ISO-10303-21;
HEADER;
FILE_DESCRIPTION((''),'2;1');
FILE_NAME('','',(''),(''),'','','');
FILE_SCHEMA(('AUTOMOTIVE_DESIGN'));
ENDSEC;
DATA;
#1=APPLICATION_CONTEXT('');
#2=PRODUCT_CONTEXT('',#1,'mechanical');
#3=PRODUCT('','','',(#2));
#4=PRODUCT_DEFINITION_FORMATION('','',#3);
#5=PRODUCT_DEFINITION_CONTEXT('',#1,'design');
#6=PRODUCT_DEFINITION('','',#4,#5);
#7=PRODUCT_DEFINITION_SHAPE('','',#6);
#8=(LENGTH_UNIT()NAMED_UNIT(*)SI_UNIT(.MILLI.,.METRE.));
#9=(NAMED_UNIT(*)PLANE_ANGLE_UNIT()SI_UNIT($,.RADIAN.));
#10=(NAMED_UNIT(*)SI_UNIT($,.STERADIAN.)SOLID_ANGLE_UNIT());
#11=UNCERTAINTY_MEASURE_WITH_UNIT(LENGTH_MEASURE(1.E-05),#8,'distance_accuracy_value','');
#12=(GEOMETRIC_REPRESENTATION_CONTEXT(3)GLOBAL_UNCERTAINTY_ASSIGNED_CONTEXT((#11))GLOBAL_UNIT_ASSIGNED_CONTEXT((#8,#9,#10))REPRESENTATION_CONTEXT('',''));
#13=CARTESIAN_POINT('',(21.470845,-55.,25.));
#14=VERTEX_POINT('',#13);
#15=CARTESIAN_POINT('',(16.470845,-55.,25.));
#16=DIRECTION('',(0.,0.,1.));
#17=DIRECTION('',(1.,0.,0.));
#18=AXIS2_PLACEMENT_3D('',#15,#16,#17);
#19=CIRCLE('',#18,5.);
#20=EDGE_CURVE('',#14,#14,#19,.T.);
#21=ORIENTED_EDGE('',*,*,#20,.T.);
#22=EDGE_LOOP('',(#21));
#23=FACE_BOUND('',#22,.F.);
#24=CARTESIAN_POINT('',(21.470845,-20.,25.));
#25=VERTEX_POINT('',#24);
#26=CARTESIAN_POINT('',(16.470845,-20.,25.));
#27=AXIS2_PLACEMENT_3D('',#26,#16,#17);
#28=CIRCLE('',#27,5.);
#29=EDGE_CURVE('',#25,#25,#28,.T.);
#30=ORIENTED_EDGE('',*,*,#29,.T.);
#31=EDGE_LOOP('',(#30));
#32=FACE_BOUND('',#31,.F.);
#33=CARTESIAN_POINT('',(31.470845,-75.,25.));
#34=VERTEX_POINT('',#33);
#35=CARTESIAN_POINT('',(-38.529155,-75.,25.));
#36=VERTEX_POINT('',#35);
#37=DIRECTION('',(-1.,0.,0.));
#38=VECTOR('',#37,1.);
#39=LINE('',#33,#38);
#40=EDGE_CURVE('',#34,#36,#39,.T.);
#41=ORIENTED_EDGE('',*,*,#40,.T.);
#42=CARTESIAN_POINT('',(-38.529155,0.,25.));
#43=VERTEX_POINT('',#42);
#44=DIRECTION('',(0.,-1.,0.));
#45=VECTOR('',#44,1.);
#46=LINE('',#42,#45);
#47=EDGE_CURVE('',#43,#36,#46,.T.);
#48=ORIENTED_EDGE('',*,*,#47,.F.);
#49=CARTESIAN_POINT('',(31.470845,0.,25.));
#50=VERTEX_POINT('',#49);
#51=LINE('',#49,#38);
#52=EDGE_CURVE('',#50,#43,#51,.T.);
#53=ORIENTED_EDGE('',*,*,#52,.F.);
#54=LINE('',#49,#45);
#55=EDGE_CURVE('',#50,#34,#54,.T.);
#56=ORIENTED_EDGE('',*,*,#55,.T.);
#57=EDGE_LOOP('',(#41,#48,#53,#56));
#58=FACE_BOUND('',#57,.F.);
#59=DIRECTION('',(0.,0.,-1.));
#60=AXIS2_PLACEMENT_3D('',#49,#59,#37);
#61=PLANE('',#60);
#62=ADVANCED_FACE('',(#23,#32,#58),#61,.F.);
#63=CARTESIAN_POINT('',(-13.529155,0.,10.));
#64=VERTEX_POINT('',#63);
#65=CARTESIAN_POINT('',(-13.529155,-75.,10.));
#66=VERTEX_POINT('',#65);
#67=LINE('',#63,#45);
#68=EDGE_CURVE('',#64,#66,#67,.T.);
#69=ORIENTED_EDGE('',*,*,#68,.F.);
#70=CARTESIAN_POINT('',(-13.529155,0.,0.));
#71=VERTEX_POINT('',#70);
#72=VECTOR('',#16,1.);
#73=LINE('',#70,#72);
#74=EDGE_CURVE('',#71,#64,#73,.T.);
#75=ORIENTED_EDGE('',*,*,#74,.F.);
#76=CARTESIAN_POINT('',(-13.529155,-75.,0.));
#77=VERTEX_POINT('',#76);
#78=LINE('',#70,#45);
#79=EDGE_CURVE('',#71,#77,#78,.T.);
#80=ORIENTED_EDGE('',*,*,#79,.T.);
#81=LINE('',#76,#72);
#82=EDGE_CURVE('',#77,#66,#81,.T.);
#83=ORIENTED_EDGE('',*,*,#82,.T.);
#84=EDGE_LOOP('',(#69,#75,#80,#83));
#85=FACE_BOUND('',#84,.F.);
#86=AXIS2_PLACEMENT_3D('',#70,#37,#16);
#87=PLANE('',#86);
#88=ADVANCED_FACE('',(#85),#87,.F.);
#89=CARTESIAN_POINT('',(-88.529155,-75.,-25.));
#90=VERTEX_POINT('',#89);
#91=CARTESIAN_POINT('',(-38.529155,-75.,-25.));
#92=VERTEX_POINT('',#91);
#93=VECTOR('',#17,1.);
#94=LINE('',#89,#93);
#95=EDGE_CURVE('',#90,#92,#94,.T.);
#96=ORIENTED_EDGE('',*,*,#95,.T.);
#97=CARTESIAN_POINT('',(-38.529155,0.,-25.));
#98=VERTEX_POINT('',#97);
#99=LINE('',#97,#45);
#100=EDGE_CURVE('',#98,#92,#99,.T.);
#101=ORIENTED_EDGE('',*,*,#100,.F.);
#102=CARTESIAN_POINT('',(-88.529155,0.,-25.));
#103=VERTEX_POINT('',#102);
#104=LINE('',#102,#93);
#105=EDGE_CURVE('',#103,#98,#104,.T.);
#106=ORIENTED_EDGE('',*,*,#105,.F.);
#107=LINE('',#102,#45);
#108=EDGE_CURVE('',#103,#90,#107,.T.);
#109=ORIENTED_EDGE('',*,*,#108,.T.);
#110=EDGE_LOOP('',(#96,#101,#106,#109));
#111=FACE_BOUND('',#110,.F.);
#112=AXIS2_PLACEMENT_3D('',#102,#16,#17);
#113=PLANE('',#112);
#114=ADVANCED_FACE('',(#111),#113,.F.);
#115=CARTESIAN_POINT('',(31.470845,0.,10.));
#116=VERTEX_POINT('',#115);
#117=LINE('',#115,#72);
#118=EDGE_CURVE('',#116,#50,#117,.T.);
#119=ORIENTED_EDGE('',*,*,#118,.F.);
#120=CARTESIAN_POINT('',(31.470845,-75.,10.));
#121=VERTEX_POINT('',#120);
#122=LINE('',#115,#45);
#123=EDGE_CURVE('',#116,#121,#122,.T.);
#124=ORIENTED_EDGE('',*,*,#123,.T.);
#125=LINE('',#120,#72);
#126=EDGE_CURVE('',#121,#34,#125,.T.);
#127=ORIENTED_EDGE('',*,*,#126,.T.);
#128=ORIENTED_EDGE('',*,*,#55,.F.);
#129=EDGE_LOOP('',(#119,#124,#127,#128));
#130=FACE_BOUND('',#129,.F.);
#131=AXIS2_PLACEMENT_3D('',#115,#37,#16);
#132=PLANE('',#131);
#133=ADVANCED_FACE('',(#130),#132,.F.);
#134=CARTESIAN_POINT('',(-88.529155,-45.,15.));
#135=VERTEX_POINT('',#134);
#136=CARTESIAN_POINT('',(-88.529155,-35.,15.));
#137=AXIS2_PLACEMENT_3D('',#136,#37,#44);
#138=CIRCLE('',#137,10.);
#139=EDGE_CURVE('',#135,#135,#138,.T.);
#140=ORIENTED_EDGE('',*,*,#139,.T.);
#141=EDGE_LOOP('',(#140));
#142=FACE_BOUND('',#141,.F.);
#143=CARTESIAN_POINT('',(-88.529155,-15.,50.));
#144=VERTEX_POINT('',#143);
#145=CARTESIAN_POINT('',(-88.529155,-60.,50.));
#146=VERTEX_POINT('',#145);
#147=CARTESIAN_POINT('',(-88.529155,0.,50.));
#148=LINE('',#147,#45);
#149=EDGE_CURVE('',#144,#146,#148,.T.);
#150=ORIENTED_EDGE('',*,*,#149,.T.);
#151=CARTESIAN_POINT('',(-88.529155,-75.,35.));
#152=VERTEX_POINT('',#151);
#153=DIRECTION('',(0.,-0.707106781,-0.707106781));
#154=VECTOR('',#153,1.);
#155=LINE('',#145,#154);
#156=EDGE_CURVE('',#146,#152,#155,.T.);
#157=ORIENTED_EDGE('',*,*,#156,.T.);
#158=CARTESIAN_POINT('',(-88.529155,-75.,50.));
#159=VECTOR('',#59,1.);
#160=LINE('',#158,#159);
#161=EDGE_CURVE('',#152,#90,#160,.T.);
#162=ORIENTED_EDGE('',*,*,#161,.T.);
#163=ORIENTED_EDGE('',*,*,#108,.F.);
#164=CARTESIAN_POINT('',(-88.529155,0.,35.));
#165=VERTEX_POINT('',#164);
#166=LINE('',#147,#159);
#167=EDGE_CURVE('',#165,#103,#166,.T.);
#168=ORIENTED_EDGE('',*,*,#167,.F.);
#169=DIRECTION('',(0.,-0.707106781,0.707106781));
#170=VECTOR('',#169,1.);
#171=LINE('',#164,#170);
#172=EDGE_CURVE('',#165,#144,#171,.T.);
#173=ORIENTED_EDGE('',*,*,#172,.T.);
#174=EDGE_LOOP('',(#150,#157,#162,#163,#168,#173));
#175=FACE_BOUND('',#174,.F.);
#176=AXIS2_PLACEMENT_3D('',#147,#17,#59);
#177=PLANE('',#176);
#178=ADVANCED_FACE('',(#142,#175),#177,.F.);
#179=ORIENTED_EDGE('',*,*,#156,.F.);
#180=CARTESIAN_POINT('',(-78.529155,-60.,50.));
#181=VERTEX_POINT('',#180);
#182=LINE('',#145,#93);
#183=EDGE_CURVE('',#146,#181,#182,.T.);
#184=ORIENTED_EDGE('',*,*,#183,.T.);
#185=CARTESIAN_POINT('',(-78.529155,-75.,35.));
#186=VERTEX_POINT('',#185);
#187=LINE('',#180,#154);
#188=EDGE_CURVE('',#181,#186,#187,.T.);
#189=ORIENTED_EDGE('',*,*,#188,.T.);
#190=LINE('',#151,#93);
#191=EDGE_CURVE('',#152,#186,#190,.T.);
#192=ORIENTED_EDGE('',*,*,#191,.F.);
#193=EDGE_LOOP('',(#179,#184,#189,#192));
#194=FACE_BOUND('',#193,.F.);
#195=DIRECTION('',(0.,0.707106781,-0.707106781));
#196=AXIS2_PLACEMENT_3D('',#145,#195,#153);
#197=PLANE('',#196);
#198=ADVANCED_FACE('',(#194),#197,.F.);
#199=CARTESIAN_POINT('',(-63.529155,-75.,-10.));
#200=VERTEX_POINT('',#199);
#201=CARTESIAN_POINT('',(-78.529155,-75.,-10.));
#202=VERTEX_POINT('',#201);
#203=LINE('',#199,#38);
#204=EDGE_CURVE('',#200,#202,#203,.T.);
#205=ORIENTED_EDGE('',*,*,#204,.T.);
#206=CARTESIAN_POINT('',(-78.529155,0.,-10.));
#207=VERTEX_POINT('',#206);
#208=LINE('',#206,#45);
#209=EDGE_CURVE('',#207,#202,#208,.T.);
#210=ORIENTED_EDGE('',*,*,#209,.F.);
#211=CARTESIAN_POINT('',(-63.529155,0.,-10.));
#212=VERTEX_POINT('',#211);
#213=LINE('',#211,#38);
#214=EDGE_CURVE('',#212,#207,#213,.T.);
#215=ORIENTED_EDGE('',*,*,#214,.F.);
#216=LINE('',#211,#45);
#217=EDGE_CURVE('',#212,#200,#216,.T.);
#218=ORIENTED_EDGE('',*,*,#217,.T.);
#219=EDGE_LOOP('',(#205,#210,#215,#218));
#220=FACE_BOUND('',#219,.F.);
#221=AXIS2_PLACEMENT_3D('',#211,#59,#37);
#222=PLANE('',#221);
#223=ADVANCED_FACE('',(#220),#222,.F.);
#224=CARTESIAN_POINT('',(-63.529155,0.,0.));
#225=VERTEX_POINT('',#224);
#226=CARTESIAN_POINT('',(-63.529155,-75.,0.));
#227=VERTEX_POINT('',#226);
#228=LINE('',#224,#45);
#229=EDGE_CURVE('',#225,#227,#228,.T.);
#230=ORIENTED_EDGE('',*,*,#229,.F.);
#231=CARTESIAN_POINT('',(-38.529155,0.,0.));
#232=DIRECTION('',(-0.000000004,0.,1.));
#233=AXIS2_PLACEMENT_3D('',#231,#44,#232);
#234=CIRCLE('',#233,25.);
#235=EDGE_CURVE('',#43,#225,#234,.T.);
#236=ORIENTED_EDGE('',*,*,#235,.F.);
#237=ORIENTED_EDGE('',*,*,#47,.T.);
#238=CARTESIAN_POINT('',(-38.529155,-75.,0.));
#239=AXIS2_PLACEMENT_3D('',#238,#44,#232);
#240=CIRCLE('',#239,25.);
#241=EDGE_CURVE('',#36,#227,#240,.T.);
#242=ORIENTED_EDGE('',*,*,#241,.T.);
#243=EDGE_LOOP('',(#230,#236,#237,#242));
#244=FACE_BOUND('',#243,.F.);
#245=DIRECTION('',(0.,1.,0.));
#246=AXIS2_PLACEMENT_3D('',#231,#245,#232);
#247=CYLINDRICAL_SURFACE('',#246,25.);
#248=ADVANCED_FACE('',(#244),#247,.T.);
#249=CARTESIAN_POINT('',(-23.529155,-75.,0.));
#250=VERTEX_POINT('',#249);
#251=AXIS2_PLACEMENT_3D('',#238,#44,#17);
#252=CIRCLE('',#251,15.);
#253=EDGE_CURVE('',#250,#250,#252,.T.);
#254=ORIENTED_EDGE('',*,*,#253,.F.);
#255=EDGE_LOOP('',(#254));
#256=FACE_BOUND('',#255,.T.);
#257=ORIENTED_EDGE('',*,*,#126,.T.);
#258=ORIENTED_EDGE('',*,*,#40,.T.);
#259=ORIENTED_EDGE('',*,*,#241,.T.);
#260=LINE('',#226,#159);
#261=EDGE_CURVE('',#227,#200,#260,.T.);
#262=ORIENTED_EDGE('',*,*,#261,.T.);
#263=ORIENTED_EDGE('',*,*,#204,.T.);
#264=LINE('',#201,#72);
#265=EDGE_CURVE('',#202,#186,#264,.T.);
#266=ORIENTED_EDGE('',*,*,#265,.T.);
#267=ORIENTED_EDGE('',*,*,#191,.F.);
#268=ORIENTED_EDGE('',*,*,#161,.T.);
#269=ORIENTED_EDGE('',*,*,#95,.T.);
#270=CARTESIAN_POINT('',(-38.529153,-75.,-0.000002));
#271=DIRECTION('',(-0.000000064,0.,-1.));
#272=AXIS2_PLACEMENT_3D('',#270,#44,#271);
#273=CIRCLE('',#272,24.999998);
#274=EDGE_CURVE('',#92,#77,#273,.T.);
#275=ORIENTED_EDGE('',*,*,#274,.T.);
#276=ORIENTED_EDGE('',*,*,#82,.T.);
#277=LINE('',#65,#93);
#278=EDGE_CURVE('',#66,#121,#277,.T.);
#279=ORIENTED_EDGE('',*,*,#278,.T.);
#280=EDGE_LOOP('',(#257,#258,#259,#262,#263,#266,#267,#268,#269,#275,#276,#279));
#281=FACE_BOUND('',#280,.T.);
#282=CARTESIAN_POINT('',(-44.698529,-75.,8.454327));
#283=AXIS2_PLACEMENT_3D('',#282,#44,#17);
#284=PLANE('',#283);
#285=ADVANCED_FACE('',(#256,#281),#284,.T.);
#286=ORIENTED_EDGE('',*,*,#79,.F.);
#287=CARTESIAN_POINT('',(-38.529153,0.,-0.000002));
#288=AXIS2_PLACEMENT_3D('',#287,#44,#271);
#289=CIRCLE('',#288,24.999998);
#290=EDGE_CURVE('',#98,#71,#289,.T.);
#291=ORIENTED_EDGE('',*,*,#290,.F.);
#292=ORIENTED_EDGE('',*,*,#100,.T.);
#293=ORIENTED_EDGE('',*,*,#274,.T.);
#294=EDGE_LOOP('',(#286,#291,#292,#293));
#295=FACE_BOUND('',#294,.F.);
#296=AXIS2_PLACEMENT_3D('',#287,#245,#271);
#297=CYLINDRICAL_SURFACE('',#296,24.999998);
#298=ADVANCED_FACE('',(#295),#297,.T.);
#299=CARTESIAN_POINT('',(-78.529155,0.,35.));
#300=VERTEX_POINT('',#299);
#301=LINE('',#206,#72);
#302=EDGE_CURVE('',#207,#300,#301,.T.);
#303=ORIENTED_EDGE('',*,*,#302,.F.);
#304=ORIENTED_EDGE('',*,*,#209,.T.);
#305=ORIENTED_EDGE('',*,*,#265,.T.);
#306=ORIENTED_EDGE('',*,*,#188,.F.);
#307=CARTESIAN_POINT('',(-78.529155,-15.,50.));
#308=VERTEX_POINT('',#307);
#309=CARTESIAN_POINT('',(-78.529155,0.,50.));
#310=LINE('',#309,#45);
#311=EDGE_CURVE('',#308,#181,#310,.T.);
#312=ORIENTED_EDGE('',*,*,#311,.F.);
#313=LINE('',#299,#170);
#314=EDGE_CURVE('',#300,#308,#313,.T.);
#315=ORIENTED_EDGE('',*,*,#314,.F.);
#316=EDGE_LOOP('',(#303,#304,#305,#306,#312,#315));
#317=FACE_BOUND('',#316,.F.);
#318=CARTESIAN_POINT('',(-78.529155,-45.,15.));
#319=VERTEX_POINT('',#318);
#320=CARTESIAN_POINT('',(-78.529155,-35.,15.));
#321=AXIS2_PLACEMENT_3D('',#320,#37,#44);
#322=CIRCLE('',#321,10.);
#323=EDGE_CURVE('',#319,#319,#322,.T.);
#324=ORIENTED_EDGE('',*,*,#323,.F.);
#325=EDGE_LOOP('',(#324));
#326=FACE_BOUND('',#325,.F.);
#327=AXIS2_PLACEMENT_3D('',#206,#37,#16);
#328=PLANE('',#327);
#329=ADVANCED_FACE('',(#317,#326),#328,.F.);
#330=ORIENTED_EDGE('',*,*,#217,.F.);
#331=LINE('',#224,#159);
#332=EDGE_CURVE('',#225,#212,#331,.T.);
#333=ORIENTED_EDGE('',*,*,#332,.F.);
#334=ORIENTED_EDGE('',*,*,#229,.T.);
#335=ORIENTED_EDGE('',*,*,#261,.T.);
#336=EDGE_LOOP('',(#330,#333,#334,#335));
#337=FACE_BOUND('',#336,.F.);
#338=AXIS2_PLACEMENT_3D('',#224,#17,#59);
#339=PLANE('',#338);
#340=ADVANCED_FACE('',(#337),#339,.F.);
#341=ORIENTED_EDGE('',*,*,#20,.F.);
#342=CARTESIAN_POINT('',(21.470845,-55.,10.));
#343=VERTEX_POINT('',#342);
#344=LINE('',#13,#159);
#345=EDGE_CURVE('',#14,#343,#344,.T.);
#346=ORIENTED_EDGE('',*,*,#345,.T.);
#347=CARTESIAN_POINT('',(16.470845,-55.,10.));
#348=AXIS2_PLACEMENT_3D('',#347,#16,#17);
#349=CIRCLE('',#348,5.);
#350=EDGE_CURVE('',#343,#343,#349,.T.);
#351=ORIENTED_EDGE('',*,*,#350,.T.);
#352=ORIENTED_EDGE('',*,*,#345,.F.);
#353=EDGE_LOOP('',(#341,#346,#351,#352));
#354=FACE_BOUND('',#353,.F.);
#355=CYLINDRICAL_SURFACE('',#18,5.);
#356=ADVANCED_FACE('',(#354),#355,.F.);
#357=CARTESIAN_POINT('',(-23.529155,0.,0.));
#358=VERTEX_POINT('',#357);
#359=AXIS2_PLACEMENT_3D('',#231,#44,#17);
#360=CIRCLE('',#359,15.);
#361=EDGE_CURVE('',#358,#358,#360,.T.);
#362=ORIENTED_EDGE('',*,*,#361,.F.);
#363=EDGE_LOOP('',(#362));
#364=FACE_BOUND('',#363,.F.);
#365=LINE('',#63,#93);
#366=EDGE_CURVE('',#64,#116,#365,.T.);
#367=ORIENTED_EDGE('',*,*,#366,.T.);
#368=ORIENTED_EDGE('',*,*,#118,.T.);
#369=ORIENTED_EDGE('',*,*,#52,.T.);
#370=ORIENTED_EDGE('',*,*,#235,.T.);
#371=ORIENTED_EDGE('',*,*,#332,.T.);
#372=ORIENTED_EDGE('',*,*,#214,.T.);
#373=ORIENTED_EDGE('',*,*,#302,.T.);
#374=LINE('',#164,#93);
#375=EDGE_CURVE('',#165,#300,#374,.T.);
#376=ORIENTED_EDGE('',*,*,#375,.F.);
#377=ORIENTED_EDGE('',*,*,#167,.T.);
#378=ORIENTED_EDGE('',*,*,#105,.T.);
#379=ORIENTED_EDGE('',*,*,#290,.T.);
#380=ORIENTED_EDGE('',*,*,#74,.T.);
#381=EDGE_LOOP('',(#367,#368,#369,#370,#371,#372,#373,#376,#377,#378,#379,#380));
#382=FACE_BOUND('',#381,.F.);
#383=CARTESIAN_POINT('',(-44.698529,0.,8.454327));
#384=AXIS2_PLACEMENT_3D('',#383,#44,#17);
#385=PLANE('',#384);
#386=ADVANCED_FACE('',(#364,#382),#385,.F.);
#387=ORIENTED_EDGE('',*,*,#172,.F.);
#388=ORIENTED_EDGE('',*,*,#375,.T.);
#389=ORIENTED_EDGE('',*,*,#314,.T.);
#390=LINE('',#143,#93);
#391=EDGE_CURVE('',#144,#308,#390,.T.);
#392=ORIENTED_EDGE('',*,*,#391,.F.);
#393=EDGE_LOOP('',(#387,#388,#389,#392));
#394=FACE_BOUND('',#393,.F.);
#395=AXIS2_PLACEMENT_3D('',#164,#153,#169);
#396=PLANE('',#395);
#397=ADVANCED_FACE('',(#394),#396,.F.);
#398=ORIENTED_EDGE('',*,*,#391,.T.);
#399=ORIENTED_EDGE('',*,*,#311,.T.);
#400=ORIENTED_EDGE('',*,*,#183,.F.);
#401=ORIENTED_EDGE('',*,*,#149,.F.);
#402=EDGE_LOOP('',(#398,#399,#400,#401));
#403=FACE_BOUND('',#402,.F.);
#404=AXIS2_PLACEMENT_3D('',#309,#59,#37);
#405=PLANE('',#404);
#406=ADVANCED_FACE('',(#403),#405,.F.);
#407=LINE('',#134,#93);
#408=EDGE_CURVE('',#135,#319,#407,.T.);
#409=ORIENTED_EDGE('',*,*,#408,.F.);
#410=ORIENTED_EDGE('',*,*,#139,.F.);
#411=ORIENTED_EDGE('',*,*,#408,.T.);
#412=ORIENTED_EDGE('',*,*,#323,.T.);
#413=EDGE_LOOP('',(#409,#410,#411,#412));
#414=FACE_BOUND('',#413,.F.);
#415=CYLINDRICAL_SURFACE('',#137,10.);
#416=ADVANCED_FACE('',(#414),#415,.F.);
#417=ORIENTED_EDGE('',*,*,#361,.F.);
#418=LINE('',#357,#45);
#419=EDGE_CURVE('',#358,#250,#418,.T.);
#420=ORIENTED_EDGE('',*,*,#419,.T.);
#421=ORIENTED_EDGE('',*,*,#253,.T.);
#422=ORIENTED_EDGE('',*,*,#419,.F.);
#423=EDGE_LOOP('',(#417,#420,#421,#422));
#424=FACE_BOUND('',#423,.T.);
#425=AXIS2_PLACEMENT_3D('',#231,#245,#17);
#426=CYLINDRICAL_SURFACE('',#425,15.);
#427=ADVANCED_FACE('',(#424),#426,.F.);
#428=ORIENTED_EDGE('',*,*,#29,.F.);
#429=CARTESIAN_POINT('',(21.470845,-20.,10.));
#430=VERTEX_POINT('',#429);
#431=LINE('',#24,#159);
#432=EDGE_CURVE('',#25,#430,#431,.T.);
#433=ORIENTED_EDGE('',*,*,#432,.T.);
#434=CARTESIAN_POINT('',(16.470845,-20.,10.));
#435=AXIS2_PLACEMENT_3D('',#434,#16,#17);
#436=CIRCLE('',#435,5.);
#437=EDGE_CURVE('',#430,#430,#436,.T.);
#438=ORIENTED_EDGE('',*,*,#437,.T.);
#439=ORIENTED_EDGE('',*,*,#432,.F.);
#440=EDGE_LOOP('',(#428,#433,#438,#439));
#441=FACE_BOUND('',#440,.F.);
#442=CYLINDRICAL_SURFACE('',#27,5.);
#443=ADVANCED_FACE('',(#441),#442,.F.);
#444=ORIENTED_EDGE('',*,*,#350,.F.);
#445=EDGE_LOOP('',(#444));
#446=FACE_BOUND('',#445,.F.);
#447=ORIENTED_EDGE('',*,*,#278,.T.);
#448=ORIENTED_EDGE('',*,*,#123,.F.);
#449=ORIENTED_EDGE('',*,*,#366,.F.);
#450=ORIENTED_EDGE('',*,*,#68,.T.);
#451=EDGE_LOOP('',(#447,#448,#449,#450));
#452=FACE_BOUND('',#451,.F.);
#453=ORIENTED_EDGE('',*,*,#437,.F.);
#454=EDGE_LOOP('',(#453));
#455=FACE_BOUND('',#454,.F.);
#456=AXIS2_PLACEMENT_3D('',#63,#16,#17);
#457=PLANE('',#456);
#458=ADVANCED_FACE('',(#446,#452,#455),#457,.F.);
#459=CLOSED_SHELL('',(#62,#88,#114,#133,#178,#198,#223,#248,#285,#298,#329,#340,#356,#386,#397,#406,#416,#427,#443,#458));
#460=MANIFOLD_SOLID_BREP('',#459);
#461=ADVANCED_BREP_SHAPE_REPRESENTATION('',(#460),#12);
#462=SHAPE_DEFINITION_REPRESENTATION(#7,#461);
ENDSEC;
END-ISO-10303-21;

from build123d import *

# Parameters (mm, degrees)
F0_R     = 15
F1_DEPTH = 75
F2_R     = 10
F3_DEPTH = 10
F4_R     = 5
F5_DEPTH = 15


with BuildPart() as f1:
    # F0 (on Front) → F1 (new body)
    with BuildSketch(Plane.XZ):
        with BuildLine():
            Line((-88.529155, 50), (-88.529155, -25))
            Line((-88.529155, -25), (-38.529155, -25))
            ThreePointArc((-38.529155, -25), (-20.851485, -17.67767), (-13.529155, 0))
            Line((-13.529155, 0), (-13.529155, 10))
            Line((-13.529155, 10), (31.470845, 10))
            Line((31.470845, 10), (31.470845, 25))
            Line((31.470845, 25), (-38.529155, 25))
            ThreePointArc((-38.529155, 25), (-56.206824, 17.67767), (-63.529155, 0))
            Line((-63.529155, 0), (-63.529155, -10))
            Line((-63.529155, -10), (-78.529155, -10))
            Line((-78.529155, -10), (-78.529155, 50))
            Line((-78.529155, 50), (-88.529155, 50))
        make_face()
        with Locations((-38.529155, 0)):
            Circle(F0_R, mode=Mode.SUBTRACT)
    extrude(amount=F1_DEPTH)

    # F2 (on face) → F3 (cut)
    with BuildSketch(Plane(origin=(-88.529155, 0, 0), x_dir=(0, -1, 0), z_dir=(-1, 0, 0))):
        Polygon((0, 35), (15, 50), (0, 50), align=None)
        Polygon((75, 50), (60, 50), (75, 35), align=None)
        with Locations((35, 15)):
            Circle(F2_R)
    extrude(amount=-F3_DEPTH, mode=Mode.SUBTRACT)

    # F4 (on face) → F5 (cut)
    with BuildSketch(Plane.XY.offset(25)):
        with Locations((16.470845, -20)):
            Circle(F4_R)
        with Locations((16.470845, -55)):
            Circle(F4_R)
    extrude(amount=-F5_DEPTH, mode=Mode.SUBTRACT)


solid = f1.part
